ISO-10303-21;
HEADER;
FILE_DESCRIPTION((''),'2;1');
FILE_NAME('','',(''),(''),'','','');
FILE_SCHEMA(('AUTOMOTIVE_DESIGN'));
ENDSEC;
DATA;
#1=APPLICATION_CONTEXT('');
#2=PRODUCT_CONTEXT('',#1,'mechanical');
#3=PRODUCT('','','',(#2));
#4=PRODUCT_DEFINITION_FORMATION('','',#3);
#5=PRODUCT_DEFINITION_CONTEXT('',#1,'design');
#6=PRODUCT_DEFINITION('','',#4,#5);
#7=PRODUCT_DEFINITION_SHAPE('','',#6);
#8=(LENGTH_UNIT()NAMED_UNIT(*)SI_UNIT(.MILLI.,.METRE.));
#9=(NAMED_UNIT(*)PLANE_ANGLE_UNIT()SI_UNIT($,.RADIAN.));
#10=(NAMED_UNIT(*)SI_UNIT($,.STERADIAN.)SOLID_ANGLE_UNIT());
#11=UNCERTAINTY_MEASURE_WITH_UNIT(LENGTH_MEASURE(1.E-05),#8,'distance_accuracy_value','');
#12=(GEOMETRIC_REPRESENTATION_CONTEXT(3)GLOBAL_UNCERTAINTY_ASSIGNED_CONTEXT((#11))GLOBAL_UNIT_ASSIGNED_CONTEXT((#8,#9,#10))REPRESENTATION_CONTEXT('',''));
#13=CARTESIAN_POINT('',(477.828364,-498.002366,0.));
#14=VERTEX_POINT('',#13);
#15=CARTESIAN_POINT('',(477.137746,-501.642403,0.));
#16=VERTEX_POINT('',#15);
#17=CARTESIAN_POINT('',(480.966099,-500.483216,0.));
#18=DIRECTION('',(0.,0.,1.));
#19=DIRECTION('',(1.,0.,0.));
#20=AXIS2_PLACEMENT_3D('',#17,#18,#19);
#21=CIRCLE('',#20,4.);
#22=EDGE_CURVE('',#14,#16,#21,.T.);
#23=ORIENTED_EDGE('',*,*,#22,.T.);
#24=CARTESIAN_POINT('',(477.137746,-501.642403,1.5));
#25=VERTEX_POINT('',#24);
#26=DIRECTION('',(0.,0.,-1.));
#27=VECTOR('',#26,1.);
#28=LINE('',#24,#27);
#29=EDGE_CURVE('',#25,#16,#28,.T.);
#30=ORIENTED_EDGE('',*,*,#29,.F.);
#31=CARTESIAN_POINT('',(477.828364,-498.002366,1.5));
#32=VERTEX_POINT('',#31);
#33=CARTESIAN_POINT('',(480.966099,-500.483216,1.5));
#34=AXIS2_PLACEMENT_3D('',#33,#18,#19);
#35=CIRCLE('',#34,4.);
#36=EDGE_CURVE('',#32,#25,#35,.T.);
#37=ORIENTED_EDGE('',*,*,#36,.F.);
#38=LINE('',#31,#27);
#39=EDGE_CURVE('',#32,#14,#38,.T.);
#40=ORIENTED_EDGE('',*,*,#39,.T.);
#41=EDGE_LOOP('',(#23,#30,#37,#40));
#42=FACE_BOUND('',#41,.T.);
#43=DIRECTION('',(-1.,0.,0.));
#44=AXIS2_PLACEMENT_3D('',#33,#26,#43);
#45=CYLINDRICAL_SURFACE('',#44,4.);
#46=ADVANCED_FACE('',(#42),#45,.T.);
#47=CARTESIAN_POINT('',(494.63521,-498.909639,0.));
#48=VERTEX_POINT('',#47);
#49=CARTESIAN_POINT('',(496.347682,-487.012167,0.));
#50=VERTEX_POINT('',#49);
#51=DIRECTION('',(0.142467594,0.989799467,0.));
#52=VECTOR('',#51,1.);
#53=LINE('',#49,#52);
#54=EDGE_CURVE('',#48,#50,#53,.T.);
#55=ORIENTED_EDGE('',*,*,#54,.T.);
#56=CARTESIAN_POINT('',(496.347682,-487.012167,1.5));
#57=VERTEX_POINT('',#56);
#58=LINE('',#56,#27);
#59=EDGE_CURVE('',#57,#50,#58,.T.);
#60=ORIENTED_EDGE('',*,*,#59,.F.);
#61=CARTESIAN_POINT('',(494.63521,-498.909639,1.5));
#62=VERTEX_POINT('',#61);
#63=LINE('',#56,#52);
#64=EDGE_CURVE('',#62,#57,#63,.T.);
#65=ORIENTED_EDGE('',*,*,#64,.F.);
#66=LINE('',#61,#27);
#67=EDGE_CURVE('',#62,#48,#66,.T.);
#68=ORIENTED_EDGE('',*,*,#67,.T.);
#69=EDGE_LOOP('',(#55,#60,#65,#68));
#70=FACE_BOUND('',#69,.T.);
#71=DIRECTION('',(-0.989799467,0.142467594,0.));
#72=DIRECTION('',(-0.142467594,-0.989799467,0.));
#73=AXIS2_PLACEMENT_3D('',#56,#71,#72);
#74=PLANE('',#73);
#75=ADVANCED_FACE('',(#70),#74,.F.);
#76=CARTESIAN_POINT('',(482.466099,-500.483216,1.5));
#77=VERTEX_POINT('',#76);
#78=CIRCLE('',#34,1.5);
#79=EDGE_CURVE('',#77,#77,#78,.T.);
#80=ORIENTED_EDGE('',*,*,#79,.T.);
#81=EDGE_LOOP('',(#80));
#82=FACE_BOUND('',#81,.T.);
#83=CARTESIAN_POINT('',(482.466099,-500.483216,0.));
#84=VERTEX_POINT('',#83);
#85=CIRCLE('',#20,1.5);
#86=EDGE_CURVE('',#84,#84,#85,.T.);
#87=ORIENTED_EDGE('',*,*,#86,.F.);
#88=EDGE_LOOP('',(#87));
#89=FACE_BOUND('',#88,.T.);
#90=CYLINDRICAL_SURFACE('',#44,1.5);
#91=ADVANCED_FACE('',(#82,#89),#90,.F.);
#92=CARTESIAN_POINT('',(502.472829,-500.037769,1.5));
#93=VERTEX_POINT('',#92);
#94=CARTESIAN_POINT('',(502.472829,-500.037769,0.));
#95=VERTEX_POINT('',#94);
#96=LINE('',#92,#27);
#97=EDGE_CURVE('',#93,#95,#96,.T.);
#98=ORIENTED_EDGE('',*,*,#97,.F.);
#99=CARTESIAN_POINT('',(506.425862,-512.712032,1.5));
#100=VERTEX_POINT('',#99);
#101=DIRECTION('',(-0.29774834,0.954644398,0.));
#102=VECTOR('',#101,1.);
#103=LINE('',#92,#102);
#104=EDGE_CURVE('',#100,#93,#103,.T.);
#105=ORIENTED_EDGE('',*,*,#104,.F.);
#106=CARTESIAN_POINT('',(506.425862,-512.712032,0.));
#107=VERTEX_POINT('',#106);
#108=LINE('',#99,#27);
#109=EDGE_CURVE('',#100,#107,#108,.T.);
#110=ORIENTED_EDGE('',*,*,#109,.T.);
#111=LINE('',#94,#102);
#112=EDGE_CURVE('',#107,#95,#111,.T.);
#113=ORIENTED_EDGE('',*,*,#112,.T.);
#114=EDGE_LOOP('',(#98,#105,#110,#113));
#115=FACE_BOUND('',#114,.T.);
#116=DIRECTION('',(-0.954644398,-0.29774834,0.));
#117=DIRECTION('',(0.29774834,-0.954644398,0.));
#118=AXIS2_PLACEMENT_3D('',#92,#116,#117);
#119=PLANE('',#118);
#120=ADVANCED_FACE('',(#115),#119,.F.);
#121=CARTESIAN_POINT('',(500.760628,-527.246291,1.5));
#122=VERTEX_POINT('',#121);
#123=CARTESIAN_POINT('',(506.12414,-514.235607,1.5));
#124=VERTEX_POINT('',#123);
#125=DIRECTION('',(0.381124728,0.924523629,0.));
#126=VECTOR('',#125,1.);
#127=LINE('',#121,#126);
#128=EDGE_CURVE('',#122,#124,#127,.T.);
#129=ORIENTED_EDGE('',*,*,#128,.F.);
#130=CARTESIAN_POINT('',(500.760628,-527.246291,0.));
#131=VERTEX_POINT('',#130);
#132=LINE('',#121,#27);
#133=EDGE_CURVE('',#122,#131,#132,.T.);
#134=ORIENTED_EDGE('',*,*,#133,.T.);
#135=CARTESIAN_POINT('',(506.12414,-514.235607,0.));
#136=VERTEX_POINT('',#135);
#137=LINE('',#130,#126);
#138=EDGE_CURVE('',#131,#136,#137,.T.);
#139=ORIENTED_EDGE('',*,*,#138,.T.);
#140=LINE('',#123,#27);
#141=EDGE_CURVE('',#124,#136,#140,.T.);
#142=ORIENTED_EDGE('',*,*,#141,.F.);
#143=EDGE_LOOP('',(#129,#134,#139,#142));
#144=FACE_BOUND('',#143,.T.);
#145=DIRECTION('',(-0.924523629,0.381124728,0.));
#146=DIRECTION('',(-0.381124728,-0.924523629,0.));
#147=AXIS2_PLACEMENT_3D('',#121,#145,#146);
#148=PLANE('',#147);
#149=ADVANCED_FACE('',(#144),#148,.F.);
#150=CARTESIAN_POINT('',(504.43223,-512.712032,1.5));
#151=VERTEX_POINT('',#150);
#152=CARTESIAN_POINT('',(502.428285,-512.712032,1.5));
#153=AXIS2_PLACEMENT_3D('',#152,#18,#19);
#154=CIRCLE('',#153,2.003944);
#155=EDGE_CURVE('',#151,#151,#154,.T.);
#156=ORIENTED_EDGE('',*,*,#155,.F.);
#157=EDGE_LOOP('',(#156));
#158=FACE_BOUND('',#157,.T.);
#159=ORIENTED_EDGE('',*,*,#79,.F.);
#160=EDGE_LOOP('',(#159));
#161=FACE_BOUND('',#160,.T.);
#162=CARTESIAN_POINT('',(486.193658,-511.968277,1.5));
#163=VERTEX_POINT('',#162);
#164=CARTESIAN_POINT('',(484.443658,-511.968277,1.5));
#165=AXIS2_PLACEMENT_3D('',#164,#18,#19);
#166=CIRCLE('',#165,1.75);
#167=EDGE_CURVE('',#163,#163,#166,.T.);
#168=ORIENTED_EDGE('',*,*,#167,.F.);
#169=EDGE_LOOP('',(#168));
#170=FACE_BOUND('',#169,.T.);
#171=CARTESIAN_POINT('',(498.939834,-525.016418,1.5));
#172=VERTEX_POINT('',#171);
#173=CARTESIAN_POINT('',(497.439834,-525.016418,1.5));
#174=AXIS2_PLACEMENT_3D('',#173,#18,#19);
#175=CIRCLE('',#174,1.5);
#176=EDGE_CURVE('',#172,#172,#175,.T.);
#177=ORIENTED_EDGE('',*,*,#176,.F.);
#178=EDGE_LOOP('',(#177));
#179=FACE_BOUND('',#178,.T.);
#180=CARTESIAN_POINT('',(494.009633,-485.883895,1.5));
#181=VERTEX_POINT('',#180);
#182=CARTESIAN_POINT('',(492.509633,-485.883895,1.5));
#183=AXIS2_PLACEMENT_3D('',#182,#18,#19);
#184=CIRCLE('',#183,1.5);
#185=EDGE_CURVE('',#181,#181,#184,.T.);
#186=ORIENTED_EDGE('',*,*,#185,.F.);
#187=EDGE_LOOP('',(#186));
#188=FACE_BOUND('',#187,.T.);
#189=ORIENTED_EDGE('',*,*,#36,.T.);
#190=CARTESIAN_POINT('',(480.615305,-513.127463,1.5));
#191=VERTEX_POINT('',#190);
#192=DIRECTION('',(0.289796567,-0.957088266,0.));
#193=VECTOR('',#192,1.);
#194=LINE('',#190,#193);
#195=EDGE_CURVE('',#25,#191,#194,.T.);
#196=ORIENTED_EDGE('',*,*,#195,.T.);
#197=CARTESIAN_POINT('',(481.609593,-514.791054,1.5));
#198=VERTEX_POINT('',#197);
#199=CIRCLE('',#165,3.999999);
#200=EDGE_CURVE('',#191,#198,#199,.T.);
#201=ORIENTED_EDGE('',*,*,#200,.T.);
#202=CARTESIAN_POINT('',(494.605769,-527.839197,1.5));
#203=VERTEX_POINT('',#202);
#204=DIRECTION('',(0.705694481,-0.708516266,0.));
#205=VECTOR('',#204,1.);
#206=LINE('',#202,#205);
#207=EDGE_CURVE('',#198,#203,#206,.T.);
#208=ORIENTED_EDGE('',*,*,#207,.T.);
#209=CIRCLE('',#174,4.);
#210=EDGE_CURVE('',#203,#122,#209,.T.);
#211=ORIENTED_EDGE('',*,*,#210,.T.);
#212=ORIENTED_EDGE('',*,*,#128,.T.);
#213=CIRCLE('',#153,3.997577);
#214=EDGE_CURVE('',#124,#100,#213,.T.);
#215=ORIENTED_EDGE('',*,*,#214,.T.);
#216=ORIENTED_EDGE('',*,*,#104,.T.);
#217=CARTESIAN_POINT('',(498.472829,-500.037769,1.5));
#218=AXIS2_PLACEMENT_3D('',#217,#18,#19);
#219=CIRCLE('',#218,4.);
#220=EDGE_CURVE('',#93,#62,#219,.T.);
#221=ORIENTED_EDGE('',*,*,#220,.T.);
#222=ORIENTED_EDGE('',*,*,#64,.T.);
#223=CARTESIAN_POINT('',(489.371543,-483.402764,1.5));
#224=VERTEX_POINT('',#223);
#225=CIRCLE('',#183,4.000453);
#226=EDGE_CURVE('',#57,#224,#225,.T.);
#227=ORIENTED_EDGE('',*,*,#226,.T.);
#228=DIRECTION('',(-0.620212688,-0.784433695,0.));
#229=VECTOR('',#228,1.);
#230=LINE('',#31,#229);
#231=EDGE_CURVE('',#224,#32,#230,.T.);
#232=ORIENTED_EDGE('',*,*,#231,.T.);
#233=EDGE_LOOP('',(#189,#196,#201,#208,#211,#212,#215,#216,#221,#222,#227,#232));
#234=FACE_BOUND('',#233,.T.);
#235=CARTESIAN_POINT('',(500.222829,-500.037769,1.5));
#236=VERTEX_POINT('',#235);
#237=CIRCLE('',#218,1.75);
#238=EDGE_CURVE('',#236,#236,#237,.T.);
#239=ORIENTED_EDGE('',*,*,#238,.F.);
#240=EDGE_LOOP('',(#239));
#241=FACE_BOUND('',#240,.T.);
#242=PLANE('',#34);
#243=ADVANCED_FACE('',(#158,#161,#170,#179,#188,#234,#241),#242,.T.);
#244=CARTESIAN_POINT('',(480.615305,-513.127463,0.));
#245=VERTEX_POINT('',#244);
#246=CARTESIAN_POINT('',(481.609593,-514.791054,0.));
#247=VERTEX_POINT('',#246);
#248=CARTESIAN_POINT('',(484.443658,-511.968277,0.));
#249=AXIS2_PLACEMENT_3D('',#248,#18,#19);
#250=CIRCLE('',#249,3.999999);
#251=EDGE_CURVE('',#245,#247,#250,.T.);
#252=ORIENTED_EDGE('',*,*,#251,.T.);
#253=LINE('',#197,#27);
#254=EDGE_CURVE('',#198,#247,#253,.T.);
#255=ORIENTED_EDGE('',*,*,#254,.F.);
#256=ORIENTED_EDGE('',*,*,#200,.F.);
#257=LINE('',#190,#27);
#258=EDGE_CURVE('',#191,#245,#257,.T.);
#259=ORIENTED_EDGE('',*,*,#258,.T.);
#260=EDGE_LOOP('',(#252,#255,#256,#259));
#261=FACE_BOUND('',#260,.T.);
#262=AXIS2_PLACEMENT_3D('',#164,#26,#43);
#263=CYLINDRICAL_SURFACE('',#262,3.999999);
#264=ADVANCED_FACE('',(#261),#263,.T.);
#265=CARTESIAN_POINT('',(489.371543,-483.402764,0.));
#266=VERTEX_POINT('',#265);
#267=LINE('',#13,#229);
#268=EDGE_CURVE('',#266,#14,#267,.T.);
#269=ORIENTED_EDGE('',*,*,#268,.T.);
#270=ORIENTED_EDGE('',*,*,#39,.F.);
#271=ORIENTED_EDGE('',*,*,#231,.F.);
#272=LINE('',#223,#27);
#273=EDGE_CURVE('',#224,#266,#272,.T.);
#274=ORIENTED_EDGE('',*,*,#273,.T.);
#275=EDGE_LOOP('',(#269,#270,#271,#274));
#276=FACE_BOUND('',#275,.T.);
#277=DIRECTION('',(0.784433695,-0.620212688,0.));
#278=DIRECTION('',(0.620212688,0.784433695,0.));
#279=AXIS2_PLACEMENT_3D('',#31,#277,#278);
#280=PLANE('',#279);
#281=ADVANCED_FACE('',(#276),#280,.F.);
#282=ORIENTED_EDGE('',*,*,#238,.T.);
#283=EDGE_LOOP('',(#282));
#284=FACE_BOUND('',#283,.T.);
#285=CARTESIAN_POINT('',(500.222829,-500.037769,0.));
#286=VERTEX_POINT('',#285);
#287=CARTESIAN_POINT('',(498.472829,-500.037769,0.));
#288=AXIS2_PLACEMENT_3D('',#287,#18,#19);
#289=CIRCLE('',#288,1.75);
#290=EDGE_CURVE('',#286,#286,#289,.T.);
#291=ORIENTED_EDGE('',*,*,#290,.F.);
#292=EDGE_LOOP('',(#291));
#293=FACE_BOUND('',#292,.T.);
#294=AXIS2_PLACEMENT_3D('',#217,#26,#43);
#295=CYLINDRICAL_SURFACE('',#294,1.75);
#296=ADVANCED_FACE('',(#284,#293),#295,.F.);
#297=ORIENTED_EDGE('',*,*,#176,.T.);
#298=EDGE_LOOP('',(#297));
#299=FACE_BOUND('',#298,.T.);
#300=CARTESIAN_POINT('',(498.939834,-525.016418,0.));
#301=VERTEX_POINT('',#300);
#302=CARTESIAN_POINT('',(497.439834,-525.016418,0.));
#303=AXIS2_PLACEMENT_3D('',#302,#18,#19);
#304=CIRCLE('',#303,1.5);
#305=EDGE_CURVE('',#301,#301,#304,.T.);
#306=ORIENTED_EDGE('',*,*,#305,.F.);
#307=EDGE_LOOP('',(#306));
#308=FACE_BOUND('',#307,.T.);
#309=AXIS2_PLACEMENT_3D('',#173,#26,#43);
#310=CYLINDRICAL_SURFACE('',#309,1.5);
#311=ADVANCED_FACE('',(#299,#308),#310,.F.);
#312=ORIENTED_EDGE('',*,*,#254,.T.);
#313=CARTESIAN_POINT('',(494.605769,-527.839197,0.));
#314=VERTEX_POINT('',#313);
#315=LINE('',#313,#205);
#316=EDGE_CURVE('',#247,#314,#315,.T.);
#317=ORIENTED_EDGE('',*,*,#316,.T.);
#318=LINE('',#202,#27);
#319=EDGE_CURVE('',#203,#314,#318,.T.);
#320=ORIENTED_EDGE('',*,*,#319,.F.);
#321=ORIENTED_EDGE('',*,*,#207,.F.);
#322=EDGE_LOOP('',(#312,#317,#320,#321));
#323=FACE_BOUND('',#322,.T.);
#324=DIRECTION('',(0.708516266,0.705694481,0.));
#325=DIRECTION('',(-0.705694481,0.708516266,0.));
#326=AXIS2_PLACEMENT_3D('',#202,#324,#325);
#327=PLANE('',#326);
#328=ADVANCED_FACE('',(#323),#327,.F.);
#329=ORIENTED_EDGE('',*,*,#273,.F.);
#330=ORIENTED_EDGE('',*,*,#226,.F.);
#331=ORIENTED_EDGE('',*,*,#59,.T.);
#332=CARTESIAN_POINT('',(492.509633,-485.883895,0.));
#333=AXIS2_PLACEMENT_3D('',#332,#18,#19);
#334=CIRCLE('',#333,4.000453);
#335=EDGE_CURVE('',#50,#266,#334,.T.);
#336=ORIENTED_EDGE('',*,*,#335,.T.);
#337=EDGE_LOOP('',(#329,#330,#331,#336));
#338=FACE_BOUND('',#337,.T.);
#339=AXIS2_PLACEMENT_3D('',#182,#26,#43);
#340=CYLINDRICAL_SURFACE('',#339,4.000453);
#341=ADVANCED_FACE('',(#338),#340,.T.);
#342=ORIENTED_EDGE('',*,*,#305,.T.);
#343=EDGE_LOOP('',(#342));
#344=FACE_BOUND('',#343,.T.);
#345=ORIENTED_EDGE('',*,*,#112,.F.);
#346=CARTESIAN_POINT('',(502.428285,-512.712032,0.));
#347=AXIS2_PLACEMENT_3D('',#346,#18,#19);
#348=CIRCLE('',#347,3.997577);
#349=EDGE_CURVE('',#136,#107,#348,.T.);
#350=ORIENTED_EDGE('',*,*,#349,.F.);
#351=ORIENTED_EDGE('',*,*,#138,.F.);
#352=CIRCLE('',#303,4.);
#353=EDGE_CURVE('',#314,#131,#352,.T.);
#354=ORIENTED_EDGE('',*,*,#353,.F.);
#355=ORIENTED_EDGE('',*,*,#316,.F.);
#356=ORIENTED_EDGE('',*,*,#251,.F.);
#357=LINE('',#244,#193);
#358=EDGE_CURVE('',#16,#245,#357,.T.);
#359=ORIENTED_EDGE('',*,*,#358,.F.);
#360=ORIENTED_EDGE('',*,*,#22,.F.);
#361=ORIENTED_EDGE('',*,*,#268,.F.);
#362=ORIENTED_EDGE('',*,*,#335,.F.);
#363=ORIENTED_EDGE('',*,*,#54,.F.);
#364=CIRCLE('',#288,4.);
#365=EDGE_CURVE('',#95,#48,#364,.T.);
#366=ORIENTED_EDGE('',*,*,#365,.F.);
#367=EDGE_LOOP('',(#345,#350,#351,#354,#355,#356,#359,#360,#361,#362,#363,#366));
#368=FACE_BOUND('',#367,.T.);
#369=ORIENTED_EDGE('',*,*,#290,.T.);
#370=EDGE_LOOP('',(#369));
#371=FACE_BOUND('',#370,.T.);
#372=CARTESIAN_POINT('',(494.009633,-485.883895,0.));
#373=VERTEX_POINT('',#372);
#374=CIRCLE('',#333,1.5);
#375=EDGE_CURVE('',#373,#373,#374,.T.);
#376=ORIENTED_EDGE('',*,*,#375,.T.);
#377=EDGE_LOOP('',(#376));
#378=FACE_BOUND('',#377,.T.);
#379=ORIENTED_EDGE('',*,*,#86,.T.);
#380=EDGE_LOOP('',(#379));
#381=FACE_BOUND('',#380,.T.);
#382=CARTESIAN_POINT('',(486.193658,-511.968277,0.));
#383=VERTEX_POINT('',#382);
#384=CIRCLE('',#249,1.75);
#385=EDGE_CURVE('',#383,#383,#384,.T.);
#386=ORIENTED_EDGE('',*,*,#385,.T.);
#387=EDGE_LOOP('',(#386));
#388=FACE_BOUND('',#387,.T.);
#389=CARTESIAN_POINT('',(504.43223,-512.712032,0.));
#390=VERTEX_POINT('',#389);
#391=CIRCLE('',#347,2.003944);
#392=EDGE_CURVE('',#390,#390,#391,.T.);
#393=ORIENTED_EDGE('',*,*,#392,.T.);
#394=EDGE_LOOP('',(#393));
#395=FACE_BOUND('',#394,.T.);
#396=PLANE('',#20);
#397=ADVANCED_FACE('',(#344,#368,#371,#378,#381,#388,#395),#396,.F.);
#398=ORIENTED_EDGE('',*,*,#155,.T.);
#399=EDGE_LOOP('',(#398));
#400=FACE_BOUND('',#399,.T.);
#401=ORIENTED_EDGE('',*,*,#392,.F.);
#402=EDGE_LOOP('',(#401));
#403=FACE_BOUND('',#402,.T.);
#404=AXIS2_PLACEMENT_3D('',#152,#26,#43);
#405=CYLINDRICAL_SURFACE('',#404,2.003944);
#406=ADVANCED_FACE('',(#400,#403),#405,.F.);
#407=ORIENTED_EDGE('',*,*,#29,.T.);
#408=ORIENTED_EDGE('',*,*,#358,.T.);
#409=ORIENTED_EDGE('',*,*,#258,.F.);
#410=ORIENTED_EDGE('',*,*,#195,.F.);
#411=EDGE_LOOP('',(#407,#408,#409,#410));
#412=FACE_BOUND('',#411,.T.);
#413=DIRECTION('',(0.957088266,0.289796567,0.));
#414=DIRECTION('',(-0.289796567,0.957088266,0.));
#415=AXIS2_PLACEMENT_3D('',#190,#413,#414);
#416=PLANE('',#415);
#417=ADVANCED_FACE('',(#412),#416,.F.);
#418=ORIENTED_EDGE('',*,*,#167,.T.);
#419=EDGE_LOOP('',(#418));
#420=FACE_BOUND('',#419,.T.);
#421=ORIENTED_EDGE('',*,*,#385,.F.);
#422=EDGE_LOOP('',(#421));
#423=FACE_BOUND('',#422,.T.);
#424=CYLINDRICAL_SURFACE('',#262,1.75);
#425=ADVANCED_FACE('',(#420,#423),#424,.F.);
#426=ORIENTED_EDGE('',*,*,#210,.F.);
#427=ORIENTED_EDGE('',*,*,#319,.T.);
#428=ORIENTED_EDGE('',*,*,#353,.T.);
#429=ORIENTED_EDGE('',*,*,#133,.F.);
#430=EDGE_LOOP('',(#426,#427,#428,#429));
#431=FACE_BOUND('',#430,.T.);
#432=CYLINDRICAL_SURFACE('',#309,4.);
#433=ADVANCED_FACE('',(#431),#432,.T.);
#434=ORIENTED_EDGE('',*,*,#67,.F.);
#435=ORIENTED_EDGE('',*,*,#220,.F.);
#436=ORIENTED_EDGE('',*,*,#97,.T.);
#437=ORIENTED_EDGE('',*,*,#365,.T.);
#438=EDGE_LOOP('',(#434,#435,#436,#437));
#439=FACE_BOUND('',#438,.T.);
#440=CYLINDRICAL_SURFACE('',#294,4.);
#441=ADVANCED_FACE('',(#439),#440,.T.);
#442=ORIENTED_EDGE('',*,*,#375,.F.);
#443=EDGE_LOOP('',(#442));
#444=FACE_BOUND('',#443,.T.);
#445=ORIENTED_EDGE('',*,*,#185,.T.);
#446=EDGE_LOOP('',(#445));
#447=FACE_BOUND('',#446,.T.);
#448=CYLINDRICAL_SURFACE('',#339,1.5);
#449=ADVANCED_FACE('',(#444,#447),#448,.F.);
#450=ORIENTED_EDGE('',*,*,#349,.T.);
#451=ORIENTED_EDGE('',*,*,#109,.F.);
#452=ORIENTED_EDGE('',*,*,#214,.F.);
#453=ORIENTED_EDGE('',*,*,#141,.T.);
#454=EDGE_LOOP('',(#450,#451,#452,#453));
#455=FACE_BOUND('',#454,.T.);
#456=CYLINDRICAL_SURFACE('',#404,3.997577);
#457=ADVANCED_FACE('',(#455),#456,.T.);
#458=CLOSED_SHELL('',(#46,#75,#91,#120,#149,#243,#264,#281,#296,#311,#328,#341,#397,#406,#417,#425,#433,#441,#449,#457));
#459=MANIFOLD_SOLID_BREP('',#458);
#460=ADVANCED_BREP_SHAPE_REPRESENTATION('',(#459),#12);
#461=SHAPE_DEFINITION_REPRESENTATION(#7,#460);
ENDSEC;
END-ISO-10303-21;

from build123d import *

# Parameters (mm, degrees)
SKETCH_1_R      = 1.5
SKETCH_1_R_2    = 1.75
SKETCH_1_R_3    = 2.003944014
EXTRUDE_1_DEPTH = 1.5


with BuildPart() as part:
    # 草图1 → 凸台-拉伸1 (new body)
    with BuildSketch(Plane.XY):
        with BuildLine():
            Line((494.605769137, -527.839196558), (481.609593026, -514.791054036))
            ThreePointArc((481.609593026, -514.791054036), (481.010170453, -514.02038782), (480.615305213, -513.127462695))
            Line((480.615305213, -513.127462695), (477.137746123, -501.642402546))
            ThreePointArc((477.137746123, -501.642402546), (477.036205762, -499.737604009), (477.82836441, -498.002365526))
            Line((477.82836441, -498.002365526), (489.371543171, -483.402763587))
            ThreePointArc((489.371543171, -483.402763587), (494.347956643, -482.33084182), (496.347682498, -487.012166828))
            Line((496.347682498, -487.012166828), (494.635210185, -498.909638655))
            ThreePointArc((494.635210185, -498.909638655), (499.042707903, -496.078572348), (502.472829473, -500.037769057))
            Line((502.472829473, -500.037769057), (506.42586238, -512.71203188))
            ThreePointArc((506.42586238, -512.71203188), (506.349706324, -513.4886139), (506.124139786, -514.235607285))
            Line((506.124139786, -514.235607285), (500.760627906, -527.246291449))
            ThreePointArc((500.760627906, -527.246291449), (497.823383917, -528.997987509), (494.605769137, -527.839196558))
        make_face()
        with Locations((480.966099189, -500.483216279)):
            Circle(SKETCH_1_R, mode=Mode.SUBTRACT)
        with Locations((484.443657551, -511.968276648)):
            Circle(SKETCH_1_R_2, mode=Mode.SUBTRACT)
        with Locations((492.509632998, -485.883895059)):
            Circle(SKETCH_1_R, mode=Mode.SUBTRACT)
        with Locations((502.428285494, -512.71203188)):
            Circle(SKETCH_1_R_3, mode=Mode.SUBTRACT)
        with Locations((497.439834468, -525.016418366)):
            Circle(SKETCH_1_R, mode=Mode.SUBTRACT)
        with Locations((498.472829473, -500.037769057)):
            Circle(SKETCH_1_R_2, mode=Mode.SUBTRACT)
    extrude(amount=EXTRUDE_1_DEPTH)


solid = part.part
